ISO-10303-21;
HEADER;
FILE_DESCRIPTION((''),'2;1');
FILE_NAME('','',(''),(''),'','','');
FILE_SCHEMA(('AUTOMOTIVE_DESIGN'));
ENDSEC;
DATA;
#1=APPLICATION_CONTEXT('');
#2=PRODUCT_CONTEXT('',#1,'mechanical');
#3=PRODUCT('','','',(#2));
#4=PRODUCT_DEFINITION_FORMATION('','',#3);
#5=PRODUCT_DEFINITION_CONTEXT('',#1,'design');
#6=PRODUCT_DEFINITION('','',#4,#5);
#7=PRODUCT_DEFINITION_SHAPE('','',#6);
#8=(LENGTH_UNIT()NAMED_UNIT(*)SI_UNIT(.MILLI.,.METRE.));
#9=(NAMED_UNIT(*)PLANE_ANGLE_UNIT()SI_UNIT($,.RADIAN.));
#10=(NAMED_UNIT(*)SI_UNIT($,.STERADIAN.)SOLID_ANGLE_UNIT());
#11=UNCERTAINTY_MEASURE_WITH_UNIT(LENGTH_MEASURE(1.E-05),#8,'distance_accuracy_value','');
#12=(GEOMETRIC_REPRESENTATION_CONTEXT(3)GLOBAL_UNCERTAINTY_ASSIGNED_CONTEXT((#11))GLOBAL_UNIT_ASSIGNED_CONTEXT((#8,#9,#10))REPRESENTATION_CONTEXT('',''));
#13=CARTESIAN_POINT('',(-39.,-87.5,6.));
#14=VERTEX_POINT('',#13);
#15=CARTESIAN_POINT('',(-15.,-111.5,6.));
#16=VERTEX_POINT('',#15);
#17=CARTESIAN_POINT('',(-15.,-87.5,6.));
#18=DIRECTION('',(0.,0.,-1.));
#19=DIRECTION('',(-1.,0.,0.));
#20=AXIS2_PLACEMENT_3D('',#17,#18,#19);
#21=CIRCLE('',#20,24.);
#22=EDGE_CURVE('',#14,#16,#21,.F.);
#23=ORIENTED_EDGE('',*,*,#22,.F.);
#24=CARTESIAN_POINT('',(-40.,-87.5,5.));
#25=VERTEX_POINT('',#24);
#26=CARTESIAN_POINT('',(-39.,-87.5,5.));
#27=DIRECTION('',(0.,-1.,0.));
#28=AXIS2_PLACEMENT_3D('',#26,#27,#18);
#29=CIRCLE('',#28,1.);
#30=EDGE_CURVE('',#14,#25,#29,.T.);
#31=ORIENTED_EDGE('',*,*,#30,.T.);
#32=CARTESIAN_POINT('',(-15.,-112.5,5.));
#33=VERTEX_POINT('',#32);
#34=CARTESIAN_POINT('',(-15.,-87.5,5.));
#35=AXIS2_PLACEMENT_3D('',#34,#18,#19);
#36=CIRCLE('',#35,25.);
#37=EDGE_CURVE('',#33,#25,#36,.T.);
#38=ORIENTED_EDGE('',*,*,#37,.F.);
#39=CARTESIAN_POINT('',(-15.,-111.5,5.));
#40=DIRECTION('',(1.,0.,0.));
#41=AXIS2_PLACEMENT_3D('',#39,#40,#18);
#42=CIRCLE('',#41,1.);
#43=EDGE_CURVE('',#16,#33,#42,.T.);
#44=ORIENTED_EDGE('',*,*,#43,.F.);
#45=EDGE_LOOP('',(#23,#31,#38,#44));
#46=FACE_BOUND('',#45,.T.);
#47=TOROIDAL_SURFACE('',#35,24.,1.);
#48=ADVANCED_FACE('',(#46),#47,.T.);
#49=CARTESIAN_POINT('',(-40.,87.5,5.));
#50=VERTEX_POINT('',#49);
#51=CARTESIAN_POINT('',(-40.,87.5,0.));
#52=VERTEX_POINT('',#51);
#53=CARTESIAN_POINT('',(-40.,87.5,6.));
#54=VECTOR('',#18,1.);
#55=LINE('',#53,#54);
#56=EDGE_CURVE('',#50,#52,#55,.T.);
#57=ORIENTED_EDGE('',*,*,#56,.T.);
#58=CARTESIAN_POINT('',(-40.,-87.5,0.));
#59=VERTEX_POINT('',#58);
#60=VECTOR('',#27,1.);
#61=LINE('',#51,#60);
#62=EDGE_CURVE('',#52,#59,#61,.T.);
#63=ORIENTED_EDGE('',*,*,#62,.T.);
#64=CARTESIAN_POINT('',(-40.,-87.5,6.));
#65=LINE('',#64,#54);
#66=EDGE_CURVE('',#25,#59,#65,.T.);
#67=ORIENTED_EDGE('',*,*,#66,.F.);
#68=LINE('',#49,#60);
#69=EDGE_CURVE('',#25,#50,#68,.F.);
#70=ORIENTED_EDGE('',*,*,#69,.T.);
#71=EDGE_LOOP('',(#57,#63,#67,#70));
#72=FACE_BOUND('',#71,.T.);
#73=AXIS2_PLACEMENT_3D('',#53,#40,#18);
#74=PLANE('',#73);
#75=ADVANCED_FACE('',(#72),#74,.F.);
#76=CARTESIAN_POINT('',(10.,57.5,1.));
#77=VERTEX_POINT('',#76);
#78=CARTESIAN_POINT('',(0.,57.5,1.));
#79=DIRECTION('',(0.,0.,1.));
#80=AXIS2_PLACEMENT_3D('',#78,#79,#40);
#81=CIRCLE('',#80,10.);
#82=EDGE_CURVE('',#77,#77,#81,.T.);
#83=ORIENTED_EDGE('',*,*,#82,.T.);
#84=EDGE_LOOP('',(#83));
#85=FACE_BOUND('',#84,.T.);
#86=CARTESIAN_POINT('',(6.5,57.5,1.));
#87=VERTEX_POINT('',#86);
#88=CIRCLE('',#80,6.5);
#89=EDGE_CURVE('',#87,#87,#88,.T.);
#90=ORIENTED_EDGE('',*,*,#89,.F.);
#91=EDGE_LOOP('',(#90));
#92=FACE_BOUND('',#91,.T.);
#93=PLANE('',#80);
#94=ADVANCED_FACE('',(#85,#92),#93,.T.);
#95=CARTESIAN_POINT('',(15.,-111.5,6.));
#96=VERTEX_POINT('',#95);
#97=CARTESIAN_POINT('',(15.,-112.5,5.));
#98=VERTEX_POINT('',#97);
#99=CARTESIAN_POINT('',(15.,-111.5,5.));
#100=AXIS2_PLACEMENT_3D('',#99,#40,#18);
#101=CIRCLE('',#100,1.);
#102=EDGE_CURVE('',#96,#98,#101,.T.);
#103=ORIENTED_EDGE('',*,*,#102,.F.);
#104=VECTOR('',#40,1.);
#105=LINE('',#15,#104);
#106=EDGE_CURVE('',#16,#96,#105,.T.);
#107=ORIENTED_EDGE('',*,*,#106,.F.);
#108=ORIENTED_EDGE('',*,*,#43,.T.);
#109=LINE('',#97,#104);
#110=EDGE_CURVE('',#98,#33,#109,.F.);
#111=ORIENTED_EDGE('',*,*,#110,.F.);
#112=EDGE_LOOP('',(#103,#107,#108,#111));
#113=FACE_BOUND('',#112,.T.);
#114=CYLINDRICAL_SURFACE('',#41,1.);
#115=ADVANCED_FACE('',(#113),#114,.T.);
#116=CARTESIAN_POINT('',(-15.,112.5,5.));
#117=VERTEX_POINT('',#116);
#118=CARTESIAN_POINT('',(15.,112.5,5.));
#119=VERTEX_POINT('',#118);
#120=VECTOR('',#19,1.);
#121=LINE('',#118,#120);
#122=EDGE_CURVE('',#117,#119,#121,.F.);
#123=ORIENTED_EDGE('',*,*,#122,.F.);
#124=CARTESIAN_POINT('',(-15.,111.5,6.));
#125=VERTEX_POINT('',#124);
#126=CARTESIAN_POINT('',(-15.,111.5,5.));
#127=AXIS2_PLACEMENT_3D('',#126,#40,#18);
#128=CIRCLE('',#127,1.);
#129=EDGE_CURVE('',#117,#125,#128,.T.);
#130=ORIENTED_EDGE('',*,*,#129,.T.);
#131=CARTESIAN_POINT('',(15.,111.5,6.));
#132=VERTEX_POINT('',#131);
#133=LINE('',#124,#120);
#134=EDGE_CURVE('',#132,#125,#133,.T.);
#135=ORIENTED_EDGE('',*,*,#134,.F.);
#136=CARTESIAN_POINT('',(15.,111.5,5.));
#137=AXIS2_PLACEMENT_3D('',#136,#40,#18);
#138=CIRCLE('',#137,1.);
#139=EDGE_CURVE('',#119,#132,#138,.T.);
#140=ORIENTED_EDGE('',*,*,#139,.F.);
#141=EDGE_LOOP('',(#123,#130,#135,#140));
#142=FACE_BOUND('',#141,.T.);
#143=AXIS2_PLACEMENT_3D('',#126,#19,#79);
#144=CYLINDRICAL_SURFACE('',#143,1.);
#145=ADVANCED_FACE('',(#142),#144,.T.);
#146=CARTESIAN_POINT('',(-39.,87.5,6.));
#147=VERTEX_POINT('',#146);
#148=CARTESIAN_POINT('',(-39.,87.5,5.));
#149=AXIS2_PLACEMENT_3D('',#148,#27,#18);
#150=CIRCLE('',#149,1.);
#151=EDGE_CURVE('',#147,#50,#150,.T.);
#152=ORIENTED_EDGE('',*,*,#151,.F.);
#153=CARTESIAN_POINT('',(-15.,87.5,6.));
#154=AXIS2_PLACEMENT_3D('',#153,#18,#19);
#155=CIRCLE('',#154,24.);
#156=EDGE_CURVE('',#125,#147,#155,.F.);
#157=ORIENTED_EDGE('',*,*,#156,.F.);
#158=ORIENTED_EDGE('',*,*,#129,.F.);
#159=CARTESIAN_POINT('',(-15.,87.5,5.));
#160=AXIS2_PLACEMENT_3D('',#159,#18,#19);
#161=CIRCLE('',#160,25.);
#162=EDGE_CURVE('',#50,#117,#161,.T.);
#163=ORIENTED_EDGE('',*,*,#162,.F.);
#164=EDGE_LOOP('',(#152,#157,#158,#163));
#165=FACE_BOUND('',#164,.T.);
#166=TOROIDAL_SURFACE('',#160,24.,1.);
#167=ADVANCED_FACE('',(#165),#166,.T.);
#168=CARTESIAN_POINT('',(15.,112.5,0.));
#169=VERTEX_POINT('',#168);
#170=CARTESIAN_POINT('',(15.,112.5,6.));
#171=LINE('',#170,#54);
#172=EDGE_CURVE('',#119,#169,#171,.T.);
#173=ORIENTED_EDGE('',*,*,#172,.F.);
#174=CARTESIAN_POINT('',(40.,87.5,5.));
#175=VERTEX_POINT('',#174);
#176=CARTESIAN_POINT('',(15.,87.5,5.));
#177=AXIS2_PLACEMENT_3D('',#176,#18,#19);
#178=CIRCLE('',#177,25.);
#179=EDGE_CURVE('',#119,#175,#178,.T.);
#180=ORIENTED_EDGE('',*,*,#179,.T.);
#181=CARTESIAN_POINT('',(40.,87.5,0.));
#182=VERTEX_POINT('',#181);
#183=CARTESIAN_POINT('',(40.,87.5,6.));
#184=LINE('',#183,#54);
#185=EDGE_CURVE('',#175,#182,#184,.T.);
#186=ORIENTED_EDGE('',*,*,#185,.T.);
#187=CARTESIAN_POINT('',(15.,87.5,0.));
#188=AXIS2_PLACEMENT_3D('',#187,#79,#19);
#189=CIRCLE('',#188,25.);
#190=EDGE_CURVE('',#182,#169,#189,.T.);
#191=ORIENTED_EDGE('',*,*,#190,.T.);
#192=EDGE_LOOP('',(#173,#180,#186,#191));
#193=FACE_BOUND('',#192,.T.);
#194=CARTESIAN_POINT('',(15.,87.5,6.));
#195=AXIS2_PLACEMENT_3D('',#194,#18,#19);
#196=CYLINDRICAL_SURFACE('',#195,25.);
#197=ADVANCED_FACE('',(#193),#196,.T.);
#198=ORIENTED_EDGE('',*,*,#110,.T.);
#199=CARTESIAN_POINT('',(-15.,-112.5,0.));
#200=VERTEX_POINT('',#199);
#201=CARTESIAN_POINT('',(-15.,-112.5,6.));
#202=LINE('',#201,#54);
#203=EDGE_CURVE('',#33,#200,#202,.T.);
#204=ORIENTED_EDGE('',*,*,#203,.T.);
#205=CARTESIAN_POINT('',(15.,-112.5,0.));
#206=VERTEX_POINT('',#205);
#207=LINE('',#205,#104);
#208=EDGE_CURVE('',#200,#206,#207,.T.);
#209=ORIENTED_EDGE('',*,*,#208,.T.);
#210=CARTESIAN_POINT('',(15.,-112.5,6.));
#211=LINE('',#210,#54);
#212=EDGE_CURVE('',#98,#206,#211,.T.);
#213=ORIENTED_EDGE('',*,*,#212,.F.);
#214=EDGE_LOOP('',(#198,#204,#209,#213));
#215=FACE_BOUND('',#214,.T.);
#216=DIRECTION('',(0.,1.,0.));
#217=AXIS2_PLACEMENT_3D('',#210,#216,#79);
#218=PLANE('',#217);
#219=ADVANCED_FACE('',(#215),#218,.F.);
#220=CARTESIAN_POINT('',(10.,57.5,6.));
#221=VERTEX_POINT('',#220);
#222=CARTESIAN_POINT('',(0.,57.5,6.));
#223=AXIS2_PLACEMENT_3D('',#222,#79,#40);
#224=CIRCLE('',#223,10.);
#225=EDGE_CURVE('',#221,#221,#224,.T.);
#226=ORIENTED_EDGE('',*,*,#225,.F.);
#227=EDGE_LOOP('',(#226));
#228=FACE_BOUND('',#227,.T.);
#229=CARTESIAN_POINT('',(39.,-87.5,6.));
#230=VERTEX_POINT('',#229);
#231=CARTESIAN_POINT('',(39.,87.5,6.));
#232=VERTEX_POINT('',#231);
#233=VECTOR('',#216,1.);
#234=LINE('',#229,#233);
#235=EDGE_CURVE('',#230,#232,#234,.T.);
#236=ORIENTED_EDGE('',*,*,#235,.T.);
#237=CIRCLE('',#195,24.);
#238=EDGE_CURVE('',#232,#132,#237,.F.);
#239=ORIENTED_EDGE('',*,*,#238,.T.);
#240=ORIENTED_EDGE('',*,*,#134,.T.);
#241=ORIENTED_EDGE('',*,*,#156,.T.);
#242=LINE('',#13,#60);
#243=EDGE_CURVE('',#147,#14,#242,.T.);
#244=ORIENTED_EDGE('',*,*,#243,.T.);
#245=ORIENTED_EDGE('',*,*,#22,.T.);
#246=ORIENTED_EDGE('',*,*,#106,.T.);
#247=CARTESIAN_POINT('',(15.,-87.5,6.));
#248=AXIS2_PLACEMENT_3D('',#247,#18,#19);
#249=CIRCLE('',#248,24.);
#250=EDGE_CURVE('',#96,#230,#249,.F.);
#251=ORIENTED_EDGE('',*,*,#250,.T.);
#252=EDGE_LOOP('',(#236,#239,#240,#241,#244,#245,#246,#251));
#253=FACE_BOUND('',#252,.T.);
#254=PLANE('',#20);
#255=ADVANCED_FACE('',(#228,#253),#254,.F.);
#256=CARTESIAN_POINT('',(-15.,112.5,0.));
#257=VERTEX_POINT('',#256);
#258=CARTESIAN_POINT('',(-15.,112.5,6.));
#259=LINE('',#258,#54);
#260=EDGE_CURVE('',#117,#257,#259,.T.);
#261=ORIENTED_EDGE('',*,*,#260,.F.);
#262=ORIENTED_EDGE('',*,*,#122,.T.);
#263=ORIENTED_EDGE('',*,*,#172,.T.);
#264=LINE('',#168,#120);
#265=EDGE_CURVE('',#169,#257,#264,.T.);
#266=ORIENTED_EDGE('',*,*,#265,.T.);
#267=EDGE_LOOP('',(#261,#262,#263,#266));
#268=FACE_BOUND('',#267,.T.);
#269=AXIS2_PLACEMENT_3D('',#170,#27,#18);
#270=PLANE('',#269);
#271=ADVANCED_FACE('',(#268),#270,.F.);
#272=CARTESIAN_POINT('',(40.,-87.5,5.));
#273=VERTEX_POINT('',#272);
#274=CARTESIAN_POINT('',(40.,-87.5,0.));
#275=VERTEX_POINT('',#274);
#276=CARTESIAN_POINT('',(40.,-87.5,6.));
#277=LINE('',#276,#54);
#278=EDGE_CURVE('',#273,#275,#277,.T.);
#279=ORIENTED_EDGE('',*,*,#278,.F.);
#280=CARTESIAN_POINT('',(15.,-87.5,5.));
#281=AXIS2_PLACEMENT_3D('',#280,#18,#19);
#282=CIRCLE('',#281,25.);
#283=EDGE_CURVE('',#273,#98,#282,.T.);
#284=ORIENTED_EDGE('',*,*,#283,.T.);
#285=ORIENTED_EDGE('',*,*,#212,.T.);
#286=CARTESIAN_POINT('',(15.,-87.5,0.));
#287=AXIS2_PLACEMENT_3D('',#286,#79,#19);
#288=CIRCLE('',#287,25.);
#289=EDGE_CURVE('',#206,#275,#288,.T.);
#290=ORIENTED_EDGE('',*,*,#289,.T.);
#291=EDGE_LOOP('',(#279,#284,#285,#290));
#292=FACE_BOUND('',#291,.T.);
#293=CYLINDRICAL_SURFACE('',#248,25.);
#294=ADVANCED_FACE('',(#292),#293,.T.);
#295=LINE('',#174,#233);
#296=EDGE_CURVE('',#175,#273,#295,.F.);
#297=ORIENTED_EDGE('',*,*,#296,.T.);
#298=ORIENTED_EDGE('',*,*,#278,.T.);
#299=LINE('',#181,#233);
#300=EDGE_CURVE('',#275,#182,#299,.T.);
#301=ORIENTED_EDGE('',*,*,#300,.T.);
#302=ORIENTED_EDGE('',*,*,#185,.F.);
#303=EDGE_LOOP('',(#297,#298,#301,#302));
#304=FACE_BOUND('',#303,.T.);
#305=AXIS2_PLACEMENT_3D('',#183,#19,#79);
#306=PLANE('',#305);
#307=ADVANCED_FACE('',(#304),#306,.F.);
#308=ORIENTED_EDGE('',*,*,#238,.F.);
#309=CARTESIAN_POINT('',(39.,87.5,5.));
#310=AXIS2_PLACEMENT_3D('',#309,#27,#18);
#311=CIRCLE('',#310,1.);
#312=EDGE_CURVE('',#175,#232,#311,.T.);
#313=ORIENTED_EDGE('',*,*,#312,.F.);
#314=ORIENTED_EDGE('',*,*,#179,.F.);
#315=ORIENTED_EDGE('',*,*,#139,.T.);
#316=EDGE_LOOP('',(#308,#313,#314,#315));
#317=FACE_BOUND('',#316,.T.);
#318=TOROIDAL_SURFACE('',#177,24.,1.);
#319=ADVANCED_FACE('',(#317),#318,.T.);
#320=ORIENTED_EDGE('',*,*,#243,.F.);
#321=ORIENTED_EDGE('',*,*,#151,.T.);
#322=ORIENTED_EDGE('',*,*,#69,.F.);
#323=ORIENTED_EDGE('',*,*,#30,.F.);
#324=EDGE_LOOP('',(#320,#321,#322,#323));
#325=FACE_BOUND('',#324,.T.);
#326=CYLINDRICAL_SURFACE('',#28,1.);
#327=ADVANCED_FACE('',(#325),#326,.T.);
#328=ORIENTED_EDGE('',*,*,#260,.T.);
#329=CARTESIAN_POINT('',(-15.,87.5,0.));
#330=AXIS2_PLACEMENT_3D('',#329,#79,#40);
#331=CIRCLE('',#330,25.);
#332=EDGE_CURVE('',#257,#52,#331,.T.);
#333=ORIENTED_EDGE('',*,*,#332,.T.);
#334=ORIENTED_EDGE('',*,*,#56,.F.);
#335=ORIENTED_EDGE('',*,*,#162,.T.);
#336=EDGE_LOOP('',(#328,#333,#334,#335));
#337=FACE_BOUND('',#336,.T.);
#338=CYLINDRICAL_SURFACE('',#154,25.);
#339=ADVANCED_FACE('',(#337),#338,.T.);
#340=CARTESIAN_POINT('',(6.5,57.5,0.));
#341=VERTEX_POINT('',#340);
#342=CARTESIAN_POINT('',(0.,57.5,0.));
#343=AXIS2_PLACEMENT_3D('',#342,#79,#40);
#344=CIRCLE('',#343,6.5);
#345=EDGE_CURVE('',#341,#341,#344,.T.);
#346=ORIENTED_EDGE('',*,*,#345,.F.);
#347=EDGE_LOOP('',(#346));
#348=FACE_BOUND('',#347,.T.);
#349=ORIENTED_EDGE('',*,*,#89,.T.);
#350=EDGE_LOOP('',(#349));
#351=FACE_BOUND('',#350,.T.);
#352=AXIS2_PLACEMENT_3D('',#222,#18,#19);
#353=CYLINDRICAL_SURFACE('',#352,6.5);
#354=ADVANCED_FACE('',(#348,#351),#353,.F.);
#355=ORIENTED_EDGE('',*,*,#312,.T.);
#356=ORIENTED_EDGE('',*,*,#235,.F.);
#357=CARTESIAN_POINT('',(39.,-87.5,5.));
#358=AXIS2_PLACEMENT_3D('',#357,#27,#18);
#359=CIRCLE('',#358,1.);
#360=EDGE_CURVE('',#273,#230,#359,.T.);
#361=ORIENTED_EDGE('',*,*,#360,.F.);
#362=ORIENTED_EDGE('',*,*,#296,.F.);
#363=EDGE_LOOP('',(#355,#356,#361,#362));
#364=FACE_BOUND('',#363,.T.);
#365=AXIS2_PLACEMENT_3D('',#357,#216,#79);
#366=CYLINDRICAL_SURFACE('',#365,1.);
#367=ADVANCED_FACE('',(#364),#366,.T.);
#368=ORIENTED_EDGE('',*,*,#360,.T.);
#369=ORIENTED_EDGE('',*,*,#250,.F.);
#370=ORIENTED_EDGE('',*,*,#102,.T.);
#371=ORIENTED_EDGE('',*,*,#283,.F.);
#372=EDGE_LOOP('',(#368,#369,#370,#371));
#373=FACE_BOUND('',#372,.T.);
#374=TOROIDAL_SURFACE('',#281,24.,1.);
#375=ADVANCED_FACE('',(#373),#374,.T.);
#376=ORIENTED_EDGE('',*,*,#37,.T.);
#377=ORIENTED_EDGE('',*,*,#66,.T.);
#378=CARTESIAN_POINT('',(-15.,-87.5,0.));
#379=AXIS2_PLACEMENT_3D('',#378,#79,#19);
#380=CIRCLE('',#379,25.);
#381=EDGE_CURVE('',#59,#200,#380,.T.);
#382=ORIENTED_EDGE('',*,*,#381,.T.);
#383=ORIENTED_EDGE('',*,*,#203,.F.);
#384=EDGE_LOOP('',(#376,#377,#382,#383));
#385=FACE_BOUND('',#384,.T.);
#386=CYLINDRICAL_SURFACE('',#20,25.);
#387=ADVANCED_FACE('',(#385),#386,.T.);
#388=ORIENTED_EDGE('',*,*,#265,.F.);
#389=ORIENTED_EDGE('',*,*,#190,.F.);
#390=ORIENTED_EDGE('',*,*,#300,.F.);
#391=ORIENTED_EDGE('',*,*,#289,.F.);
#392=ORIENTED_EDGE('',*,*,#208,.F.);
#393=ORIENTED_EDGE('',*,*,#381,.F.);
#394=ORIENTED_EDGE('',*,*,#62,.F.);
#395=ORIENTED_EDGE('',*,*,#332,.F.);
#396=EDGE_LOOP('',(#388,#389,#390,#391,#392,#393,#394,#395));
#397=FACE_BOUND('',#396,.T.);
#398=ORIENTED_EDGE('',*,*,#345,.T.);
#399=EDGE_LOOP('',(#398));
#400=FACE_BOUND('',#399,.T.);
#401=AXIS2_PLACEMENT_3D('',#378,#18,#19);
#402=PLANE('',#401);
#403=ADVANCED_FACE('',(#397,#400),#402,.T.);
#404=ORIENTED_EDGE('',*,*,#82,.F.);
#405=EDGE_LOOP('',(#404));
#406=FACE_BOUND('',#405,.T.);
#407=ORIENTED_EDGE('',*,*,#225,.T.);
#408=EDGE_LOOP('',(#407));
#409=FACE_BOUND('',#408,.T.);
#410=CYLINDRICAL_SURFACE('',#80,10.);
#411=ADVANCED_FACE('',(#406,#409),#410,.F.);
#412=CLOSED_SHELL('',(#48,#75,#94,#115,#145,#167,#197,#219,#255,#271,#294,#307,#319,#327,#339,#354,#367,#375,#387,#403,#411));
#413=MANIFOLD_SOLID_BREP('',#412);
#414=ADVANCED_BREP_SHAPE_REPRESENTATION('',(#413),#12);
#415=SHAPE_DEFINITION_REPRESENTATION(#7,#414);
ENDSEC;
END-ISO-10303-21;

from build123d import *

# Parameters (mm, degrees)
SKETCH_1_R          = 6.5
EXTRUDE_1_DEPTH     = 6
FILLET_1_R          = 1
SKETCH_2_R          = 10
CUT_EXTRUDE_1_DEPTH = 5


with BuildPart() as part:
    # 草图1 → 凸台-拉伸1 (new body)
    with BuildSketch(Plane.XY):
        with BuildLine():
            Line((15, 112.5), (-15, 112.5))
            ThreePointArc((-15, 112.5), (-32.67766953, 105.17766953), (-40, 87.5))
            Line((-40, 87.5), (-40, -87.5))
            ThreePointArc((-40, -87.5), (-32.67766953, -105.17766953), (-15, -112.5))
            Line((-15, -112.5), (15, -112.5))
            ThreePointArc((15, -112.5), (32.67766953, -105.17766953), (40, -87.5))
            Line((40, -87.5), (40, 87.5))
            ThreePointArc((40, 87.5), (32.67766953, 105.17766953), (15, 112.5))
        make_face()
        with Locations((0, 57.5)):
            Circle(SKETCH_1_R, mode=Mode.SUBTRACT)
    extrude(amount=EXTRUDE_1_DEPTH)

    # 圆角1
    fillet_1_edges = [part.edges().sort_by_distance(p)[0] for p in [
        (32.67766953, -105.17766953, 6),
        (40, 0, 6),
        (32.67766953, 105.17766953, 6),
        (0, 112.5, 6),
        (-32.67766953, 105.17766953, 6),
        (-40, 0, 6),
        (-32.67766953, -105.17766953, 6),
        (0, -112.5, 6),
    ]]
    fillet(fillet_1_edges, radius=FILLET_1_R)

    # 草图2 → 切除-拉伸1 (cut)
    with BuildSketch(Plane.XY.offset(6)):
        with Locations((0, 57.5)):
            Circle(SKETCH_2_R)
    extrude(amount=-CUT_EXTRUDE_1_DEPTH, mode=Mode.SUBTRACT)


solid = part.part
